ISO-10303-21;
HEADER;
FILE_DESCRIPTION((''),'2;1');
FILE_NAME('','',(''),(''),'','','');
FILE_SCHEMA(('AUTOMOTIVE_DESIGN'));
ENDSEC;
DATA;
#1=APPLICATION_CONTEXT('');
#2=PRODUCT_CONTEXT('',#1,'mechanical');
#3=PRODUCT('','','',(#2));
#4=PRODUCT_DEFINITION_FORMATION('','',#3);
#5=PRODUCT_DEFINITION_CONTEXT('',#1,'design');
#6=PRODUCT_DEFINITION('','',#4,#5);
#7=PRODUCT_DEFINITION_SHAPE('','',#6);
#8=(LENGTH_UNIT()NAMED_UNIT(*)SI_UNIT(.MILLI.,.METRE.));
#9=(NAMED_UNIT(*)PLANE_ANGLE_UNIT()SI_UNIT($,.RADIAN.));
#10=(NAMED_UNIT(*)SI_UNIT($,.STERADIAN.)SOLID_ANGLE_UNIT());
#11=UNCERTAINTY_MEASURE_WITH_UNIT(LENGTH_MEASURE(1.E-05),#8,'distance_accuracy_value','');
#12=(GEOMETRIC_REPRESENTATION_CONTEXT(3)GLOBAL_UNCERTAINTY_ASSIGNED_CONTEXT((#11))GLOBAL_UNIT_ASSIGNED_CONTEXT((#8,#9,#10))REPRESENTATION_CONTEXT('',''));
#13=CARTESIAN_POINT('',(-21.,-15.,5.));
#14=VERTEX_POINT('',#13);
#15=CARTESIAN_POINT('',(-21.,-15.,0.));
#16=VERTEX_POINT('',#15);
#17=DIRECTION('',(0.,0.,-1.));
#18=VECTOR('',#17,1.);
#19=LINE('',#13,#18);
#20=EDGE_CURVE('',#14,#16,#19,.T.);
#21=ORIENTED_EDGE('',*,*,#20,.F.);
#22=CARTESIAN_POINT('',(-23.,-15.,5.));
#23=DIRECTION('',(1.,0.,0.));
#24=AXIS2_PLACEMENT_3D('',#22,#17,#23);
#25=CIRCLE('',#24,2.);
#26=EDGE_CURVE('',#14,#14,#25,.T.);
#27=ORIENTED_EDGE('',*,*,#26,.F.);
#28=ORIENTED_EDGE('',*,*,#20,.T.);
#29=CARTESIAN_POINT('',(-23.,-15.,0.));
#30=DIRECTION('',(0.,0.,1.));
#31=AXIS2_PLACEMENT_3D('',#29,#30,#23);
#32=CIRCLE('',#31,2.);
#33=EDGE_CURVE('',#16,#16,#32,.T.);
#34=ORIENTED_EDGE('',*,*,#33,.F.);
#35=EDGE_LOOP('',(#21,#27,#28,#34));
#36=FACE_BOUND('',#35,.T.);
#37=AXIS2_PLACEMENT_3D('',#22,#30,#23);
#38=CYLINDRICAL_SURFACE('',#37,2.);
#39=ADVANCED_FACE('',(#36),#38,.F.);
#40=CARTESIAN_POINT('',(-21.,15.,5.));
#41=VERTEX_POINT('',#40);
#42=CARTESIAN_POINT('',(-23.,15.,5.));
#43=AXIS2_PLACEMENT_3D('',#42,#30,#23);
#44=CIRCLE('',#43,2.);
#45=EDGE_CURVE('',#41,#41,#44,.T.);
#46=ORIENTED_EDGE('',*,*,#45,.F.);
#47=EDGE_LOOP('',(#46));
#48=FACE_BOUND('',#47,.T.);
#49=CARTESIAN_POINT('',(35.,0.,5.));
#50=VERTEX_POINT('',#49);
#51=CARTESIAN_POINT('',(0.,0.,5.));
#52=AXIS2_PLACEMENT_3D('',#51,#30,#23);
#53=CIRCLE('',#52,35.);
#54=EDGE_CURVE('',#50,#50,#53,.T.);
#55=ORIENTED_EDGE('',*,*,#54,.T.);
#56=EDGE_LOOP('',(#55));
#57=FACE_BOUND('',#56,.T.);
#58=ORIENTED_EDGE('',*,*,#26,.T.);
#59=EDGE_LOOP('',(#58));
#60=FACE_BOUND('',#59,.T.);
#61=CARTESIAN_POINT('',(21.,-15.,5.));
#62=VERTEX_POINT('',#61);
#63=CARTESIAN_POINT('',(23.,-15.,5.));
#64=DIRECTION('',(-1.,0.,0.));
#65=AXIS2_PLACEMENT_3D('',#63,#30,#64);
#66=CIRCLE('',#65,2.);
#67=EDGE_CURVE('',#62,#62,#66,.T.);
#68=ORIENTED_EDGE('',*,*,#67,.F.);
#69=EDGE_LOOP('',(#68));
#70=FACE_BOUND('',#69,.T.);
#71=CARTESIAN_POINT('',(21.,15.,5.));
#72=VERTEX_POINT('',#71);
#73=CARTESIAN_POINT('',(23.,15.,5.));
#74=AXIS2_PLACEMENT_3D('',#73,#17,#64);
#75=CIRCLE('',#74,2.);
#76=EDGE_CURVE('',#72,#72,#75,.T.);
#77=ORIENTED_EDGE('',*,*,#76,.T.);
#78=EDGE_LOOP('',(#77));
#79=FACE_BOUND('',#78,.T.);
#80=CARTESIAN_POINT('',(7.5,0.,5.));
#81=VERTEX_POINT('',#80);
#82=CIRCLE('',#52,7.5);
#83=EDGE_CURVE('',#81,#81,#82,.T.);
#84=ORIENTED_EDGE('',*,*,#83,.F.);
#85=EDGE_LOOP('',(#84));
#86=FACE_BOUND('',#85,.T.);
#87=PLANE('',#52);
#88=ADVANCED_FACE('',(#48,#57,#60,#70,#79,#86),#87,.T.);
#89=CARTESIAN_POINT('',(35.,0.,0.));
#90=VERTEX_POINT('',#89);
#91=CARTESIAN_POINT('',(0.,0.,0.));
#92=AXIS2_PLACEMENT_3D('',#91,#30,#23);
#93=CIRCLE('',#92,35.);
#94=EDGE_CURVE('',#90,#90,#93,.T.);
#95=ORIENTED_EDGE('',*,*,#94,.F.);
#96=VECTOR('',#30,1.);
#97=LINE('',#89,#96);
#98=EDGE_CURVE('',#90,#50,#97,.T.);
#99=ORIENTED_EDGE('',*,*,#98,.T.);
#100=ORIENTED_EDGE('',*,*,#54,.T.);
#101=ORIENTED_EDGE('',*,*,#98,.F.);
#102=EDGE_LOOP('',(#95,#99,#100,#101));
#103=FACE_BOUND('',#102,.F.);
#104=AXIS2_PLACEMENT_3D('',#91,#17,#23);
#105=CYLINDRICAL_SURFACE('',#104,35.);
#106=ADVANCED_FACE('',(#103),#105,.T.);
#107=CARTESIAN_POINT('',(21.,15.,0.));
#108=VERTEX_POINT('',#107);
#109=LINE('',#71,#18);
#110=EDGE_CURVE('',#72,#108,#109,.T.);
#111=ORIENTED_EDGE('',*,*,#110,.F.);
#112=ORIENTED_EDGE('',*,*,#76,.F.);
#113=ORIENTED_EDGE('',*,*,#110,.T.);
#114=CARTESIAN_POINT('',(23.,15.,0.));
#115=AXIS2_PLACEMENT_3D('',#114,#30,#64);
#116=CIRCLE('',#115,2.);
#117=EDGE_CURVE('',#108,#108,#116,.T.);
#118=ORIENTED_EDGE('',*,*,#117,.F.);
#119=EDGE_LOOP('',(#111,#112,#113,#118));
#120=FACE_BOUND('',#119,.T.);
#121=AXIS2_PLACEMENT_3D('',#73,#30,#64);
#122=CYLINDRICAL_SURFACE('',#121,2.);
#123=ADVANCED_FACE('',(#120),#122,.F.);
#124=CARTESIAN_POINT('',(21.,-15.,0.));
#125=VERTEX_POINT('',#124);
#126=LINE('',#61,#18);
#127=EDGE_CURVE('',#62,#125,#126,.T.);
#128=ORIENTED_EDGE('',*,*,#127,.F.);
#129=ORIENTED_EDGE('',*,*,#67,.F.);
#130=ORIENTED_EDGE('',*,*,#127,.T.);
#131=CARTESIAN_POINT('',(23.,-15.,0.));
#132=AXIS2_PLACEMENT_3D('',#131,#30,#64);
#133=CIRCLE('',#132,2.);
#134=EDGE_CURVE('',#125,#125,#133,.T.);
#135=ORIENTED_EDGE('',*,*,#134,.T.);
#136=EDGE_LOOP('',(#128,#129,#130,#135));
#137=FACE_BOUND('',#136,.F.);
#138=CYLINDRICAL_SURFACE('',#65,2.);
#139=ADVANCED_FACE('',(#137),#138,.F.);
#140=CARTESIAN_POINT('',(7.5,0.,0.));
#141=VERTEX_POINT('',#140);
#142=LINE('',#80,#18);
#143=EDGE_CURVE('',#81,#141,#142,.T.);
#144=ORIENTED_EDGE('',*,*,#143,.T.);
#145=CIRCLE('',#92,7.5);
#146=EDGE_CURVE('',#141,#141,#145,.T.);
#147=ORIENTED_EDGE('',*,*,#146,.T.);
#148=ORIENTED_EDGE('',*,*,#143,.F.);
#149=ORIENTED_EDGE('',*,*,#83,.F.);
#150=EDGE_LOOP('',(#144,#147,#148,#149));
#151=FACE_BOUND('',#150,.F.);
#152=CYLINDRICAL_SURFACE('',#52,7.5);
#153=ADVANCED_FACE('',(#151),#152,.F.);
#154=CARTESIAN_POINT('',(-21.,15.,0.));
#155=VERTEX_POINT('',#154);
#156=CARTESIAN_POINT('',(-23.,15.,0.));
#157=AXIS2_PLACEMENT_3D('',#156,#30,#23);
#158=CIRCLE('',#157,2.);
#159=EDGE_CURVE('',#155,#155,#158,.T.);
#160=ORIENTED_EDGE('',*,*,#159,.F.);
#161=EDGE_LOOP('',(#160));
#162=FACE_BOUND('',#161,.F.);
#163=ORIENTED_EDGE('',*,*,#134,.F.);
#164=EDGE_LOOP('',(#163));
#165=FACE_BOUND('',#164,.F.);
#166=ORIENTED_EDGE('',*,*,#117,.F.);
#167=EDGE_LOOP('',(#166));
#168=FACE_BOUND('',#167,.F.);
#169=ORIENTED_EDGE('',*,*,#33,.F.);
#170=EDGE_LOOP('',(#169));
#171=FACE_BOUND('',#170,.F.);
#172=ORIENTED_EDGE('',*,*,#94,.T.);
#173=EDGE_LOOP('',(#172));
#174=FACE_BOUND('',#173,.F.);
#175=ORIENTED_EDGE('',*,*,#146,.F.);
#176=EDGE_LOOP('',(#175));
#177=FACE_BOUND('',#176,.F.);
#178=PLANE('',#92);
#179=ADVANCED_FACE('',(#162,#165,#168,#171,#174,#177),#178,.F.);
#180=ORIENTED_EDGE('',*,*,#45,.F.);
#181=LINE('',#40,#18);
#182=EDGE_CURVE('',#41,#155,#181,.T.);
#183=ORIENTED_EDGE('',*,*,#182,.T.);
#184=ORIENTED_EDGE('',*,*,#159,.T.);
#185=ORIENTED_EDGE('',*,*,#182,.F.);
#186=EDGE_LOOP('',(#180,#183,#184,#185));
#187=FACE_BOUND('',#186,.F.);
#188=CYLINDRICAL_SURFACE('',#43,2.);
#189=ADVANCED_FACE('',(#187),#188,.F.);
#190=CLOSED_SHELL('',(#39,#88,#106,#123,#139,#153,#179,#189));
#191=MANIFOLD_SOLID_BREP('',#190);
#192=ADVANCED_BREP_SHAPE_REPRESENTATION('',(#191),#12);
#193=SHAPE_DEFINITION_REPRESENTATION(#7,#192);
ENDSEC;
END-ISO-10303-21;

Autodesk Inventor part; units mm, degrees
ref_plane "YZ Plane" through (0, 0, 0) normal (1, 0, 0) x (0, 1, 0)
ref_plane "XZ Plane" through (0, 0, 0) normal (0, 1, 0) x (-1, 0, 0)
ref_plane "XY Plane" through (0, 0, 0) normal (0, 0, 1) x (1, 0, 0)
sketch "Эскиз1" plane through (0, 0, 0) normal (0, 0, 1) x (1, 0, 0)
  circle A0 centre (0, 0) radius 35
  dimension "d7" = 70
extrude "Выдавливание1" add sketch "Эскиз1" along normal blind 5
sketch "Эскиз2" plane through (0, 0, 5) normal (0, 0, 1) x (1, 0, 0)
  circle A0 centre (-23, 15) radius 2
  point P0 (0, 0)
  dimension "d4" = 4
  dimension "d5" = 15
  dimension "d6" = 23
extrude "Выдавливание2" cut sketch "Эскиз2" against normal through all
mirror "Зеркальное отражение1" about plane through (0, 0, 0) normal (0, 1, 0) of "Выдавливание2"
mirror "Зеркальное отражение2" about plane through (0, 0, 0) normal (1, 0, 0) of "Выдавливание2", "Зеркальное отражение1"
sketch "Эскиз19" plane through (0, 0, 5) normal (0, 0, 1) x (1, 0, 0)
  circle A0 centre (0, 0) radius 7.5
  dimension "d75" = 15
extrude "Выдавливание18" cut sketch "Эскиз19" against normal through all
properties part number "000.005.005.001 - ОСНОВАНИЕ" material "Пластик АБС"
